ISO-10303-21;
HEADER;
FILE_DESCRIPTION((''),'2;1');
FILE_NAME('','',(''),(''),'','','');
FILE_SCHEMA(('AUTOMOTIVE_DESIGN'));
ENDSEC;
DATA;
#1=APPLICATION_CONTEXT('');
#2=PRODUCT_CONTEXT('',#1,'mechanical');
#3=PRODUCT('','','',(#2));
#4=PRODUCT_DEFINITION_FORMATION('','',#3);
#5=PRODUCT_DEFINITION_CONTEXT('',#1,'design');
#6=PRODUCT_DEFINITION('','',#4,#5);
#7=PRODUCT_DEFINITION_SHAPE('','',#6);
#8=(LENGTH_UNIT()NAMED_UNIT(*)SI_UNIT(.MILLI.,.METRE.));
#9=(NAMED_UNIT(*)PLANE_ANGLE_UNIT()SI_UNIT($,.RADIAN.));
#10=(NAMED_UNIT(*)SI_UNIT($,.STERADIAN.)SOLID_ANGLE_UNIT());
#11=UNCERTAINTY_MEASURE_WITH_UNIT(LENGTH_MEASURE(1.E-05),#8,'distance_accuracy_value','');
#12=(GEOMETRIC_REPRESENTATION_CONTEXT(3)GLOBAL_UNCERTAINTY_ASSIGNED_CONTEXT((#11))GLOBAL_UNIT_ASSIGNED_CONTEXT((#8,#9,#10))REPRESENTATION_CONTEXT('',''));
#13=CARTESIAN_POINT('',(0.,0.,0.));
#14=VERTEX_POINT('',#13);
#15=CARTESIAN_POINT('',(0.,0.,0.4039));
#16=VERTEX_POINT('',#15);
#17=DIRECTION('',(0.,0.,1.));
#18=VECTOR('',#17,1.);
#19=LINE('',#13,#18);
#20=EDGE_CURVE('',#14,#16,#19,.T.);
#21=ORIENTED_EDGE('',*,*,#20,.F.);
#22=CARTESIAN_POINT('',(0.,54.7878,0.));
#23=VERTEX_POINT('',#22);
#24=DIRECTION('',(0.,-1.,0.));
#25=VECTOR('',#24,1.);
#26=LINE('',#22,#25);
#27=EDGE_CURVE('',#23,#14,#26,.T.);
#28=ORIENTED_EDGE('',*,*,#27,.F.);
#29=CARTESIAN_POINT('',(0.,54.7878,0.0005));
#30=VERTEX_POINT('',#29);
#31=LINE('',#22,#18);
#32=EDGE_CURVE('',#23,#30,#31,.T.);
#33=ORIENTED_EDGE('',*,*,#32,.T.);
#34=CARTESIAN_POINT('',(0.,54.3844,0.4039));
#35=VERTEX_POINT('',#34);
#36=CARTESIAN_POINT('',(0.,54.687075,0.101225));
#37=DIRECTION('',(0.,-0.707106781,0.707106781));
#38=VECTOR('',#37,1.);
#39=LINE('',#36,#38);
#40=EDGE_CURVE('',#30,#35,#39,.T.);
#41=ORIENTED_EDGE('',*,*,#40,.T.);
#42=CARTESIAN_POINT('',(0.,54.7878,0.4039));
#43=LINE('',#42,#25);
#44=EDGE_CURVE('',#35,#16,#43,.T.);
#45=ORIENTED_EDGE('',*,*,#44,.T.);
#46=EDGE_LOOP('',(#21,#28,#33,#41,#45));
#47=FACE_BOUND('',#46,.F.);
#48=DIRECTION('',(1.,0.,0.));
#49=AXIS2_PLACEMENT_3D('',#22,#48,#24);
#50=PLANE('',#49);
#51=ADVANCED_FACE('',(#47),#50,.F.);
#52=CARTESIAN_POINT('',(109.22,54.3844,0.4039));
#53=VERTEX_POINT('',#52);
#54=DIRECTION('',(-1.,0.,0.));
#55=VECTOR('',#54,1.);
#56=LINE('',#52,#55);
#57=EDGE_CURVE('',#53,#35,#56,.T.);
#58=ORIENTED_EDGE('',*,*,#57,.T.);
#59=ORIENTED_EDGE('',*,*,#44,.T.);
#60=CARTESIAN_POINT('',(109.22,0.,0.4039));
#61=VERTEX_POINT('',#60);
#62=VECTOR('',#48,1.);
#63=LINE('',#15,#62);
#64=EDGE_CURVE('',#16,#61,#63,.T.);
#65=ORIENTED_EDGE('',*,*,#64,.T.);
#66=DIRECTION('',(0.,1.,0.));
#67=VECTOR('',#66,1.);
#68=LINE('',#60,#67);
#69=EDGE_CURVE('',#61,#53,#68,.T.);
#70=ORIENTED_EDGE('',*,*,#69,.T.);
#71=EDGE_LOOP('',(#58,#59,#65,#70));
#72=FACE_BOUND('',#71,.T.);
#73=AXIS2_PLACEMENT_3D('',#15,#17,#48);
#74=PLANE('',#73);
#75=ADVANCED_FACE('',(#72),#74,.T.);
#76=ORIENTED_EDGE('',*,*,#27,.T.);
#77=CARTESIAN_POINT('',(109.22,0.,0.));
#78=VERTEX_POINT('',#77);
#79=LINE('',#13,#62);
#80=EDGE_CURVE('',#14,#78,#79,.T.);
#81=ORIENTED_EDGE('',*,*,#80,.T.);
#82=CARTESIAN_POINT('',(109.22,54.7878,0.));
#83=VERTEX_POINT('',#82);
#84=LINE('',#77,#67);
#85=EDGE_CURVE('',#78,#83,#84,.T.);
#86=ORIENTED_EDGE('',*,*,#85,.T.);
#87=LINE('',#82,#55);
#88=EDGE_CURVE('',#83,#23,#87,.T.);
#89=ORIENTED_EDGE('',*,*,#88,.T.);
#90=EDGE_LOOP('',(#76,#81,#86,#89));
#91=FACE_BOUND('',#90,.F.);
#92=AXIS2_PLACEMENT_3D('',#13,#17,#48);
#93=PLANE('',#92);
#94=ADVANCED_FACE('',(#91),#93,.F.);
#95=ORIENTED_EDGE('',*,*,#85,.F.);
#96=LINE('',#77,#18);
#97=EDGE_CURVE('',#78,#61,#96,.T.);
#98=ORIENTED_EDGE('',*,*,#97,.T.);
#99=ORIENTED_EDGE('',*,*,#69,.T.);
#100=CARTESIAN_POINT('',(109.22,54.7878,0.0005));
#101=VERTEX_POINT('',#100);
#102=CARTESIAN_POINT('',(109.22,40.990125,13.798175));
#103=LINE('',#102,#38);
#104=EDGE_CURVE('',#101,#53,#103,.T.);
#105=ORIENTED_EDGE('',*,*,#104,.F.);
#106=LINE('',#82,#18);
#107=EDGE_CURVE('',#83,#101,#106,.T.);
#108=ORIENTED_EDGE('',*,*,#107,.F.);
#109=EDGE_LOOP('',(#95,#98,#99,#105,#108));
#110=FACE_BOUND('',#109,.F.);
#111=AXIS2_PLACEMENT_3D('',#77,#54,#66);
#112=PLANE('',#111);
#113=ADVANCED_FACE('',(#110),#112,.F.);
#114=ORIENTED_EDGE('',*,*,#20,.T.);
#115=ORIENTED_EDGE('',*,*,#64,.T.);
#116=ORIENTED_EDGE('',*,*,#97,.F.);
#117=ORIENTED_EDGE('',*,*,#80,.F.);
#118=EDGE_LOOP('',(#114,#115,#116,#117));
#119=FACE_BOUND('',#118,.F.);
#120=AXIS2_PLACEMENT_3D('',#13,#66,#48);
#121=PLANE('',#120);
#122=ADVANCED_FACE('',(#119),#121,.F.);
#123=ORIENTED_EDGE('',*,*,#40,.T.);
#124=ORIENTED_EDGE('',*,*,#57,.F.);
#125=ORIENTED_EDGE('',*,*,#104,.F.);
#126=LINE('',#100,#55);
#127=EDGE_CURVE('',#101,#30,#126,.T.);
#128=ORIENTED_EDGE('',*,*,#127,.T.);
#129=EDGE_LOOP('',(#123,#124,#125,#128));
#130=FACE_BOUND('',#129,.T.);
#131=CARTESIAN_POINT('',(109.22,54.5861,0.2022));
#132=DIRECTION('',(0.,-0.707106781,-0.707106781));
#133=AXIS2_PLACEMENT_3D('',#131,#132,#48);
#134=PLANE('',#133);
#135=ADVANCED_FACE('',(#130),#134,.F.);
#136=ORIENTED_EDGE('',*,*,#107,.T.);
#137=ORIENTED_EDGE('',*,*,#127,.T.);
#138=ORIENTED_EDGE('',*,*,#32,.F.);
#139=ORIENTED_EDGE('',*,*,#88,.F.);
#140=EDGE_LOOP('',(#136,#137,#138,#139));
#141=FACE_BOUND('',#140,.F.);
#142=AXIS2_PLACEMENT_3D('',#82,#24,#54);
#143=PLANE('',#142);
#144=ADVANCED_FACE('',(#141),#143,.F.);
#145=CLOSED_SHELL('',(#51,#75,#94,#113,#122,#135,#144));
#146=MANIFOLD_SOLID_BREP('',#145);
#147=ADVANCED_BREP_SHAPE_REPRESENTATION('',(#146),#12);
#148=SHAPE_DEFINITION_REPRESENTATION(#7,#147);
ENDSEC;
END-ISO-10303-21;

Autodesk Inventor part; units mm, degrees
ref_plane "YZ Plane" through (0, 0, 0) normal (1, 0, 0) x (0, 1, 0)
ref_plane "XZ Plane" through (0, 0, 0) normal (0, 1, 0) x (-1, 0, 0)
ref_plane "XY Plane" through (0, 0, 0) normal (0, 0, 1) x (1, 0, 0)
sketch "Sketch1" plane through (0, 0, 0) normal (0, 0, 1) x (1, 0, 0)
  line L0 (0, 0) -> (109.22, 0)
  line L1 (109.22, 0) -> (109.22, 54.7878)
  line L2 (109.22, 54.7878) -> (0, 54.7878)
  line L3 (0, 54.7878) -> (0, 0)
  dimension "d0" = 109.22
  dimension "d2" = 54.7878
extrude "Extrusion1" add sketch "Sketch1" along normal blind 0.4039
chamfer "Chamfer1" distance 0.4039 angle 45 1 edges at (54.61, 54.7878, 0.4039)
properties part number "Plate_Front_Alu25" material "Aluminum 6061"
